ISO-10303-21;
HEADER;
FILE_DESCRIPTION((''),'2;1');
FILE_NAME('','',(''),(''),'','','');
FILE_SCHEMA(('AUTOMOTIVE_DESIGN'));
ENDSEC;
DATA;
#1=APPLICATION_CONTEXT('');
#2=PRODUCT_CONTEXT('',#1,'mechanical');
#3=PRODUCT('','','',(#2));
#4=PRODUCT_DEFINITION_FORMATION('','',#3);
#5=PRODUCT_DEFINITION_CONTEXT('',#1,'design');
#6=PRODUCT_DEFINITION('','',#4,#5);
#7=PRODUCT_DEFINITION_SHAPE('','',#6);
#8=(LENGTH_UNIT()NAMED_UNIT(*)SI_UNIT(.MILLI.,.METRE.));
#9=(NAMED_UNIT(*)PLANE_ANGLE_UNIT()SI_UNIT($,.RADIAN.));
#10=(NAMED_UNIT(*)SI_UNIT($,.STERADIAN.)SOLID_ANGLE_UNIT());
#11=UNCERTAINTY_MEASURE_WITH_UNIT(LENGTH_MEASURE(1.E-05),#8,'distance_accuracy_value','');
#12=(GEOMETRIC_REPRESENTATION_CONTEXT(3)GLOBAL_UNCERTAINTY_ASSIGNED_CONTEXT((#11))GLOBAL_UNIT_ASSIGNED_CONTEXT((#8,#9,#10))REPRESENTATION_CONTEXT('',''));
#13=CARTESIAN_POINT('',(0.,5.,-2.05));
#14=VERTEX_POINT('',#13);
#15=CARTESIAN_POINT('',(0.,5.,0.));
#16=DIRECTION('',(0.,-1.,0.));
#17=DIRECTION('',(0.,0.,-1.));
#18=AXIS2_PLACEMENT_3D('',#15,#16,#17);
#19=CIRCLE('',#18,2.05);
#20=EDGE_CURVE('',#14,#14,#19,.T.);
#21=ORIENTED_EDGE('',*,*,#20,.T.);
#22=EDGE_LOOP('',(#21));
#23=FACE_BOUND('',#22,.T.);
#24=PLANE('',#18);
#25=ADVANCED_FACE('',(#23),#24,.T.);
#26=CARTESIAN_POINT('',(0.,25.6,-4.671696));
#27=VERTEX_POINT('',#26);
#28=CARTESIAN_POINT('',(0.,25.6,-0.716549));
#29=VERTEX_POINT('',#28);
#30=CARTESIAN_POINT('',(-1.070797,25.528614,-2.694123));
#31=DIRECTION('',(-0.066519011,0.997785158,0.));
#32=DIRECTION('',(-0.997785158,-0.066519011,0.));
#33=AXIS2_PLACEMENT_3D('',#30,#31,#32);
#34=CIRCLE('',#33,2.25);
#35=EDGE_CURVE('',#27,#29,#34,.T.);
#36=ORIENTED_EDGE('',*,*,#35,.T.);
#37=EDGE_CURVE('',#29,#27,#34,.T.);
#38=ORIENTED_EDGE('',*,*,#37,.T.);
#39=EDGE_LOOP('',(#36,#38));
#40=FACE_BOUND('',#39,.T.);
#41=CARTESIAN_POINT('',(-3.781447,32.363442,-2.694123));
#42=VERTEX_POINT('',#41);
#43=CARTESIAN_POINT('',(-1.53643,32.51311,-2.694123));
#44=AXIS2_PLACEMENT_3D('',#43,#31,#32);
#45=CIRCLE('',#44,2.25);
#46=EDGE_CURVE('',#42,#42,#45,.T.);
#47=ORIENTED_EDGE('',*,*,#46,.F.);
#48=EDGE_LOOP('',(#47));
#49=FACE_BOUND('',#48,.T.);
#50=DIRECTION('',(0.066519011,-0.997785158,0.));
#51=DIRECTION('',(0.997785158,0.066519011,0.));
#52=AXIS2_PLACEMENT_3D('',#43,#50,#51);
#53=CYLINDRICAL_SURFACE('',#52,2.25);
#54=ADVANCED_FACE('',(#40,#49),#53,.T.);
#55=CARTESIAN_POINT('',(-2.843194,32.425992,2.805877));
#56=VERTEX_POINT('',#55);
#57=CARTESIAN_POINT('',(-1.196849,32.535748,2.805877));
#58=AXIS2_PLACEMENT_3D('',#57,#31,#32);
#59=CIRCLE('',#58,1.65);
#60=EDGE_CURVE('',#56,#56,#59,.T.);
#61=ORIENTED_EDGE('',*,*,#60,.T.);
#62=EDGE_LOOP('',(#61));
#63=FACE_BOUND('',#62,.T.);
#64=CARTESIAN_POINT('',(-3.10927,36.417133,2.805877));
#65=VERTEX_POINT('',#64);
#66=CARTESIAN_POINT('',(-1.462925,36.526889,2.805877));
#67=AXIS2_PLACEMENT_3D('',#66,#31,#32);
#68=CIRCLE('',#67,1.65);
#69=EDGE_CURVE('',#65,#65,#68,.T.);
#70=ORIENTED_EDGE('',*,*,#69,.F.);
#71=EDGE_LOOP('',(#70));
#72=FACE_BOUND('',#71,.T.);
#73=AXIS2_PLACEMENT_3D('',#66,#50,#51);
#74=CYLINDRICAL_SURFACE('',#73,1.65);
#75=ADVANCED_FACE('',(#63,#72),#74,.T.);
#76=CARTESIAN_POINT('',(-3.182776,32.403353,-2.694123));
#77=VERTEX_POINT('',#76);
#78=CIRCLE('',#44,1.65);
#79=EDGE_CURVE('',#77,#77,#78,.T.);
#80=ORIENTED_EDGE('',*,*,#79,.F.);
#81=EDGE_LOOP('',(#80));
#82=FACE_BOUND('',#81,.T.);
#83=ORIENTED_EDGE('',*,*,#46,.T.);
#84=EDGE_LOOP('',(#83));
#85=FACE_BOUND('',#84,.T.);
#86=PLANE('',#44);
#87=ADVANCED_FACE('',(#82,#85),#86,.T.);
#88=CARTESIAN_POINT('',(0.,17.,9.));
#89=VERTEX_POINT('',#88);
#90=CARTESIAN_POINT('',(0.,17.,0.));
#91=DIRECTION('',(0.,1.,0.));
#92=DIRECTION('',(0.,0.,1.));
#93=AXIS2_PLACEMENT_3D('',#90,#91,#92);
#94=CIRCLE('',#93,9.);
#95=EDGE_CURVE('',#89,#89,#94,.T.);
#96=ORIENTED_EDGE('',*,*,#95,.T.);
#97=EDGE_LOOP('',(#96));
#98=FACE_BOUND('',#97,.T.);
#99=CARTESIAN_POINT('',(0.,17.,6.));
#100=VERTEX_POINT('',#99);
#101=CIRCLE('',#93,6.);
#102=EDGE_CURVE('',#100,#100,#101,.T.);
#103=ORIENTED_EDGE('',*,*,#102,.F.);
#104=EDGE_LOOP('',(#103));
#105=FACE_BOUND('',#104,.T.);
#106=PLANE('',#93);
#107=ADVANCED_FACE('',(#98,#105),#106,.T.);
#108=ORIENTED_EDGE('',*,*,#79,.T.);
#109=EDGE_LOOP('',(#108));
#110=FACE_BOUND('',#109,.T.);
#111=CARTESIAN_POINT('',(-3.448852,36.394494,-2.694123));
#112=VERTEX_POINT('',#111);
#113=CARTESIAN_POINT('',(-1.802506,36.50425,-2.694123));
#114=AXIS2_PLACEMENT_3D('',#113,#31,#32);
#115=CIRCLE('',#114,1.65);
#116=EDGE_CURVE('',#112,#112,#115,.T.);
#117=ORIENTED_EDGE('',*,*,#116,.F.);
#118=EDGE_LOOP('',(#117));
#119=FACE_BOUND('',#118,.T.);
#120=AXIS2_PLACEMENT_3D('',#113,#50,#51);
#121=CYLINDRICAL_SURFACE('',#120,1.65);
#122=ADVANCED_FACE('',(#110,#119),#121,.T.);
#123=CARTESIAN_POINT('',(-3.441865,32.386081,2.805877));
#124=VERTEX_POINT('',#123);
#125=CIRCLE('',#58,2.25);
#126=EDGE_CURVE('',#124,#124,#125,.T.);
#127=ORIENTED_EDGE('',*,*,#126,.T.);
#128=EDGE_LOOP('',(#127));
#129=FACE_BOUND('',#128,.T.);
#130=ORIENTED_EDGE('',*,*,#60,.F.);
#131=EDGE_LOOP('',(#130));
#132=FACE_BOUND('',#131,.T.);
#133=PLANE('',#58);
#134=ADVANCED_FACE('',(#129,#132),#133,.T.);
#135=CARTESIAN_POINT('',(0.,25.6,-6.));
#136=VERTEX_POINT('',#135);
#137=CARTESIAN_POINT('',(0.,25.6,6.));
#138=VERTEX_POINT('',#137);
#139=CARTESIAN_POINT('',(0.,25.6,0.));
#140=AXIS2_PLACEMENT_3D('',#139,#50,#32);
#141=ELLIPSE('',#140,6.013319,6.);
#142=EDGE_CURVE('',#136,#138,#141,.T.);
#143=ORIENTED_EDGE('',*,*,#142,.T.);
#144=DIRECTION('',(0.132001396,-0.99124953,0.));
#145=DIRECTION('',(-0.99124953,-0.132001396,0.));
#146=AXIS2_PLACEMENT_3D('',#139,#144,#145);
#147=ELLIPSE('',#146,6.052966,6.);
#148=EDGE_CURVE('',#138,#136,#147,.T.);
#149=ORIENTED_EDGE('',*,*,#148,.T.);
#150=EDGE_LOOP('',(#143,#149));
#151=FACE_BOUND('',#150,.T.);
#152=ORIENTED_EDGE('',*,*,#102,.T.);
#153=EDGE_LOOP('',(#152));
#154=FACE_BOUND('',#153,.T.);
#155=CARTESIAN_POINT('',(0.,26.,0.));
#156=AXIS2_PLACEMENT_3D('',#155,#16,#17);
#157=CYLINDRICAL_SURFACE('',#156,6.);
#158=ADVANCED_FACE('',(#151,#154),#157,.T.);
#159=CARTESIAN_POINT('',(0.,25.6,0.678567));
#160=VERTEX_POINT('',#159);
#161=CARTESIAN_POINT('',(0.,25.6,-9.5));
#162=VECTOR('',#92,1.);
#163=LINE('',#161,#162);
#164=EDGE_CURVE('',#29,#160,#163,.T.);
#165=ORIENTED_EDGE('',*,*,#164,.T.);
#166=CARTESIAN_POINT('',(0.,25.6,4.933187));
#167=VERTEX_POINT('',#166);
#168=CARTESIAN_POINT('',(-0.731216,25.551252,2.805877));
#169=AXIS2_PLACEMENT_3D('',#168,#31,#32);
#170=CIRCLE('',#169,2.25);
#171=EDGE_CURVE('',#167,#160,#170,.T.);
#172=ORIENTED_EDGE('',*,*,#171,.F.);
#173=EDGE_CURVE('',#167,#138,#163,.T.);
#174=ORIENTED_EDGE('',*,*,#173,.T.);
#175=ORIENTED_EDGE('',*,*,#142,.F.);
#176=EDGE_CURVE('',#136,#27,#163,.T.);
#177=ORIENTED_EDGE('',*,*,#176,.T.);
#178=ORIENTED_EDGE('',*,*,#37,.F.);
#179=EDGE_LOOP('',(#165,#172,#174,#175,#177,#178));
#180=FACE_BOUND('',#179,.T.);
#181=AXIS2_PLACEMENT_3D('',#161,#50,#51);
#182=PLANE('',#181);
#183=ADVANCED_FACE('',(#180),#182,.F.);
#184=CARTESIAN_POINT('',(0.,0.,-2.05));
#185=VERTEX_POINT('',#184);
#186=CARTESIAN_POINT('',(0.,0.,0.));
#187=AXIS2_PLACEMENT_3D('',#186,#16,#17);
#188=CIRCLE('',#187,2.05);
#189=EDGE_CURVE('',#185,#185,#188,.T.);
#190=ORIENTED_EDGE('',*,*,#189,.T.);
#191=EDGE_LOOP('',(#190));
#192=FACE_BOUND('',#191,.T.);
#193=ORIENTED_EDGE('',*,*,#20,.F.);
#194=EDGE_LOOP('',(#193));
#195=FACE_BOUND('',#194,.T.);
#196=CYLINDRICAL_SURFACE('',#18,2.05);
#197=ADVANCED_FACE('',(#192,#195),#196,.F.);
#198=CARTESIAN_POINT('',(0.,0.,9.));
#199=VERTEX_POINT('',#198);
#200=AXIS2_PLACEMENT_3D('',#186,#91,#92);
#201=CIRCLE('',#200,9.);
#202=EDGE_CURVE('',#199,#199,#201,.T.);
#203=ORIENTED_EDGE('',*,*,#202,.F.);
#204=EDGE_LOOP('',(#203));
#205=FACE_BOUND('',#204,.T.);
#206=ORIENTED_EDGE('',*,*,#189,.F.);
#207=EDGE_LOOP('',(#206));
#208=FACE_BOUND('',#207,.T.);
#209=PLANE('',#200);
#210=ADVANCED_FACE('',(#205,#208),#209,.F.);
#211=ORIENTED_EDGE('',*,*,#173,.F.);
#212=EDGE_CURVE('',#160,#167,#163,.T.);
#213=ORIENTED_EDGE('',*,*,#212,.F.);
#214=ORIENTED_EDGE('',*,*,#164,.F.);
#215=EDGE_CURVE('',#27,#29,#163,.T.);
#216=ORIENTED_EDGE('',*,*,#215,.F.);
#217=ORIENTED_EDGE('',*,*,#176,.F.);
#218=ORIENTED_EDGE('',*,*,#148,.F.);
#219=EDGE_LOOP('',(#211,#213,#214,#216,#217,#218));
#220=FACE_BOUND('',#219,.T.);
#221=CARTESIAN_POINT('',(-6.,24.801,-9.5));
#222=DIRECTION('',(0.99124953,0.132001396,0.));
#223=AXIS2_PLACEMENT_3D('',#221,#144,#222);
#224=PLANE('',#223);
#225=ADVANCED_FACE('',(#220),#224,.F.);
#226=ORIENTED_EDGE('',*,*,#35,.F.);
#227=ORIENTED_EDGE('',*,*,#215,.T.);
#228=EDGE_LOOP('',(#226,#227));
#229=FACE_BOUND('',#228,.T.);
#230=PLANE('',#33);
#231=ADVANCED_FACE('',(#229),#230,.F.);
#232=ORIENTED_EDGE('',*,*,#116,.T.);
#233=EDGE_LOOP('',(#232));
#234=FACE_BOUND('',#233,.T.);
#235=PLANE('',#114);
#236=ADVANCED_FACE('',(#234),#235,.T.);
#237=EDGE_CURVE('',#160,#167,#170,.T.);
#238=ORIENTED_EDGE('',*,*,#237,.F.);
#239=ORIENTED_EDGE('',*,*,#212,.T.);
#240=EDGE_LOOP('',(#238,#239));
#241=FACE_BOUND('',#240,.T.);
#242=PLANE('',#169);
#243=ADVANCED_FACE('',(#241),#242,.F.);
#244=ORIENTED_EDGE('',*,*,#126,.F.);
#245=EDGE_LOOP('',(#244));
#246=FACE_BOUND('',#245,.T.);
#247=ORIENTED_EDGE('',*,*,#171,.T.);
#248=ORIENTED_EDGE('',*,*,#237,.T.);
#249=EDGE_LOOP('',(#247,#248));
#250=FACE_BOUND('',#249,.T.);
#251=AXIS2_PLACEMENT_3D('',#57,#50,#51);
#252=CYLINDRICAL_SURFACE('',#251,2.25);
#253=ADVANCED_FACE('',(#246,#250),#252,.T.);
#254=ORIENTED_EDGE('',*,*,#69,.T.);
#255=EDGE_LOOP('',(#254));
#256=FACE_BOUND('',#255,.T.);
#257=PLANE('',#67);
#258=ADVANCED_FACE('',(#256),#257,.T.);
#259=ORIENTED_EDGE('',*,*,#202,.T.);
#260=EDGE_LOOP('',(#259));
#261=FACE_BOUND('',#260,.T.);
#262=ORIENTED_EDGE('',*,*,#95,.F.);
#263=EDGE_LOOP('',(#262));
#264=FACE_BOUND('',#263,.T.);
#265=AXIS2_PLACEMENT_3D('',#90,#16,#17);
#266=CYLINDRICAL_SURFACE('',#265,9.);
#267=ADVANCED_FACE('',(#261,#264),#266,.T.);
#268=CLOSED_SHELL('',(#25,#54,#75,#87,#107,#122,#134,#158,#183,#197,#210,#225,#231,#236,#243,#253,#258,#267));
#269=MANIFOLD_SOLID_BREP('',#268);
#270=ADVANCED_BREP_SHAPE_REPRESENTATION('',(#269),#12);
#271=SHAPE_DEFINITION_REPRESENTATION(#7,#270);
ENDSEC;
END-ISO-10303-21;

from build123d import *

# Parameters (mm, degrees)
CROQUIS1_R              = 9
SALIENTE_EXTRUIR1_DEPTH = 17
CROQUIS2_R              = 6
SALIENTE_EXTRUIR2_DEPTH = 9
CORTAR_EXTRUIR1_DEPTH   = 9.5
CROQUIS4_R              = 2.25
SALIENTE_EXTRUIR3_DEPTH = 7
CROQUIS5_R              = 1.65
SALIENTE_EXTRUIR4_DEPTH = 4
CROQUIS6_R              = 2.05
CORTAR_EXTRUIR2_DEPTH   = 5


with BuildPart() as part:
    # Croquis1 → Saliente-Extruir1 (new body)
    with BuildSketch(Plane(origin=(0, 0, 0), x_dir=(1, 0, 0), z_dir=(0, 1, 0))):
        with Locations(Location((0, 0, 0), (0, 0, 270))):
            Circle(CROQUIS1_R)
    extrude(amount=SALIENTE_EXTRUIR1_DEPTH)

    # Croquis2 → Saliente-Extruir2 (add)
    with BuildSketch(Plane(origin=(0, 17, 0), x_dir=(1, 0, 0), z_dir=(0, 1, 0))):
        with Locations(Location((0, 0, 0), (0, 0, 270))):
            Circle(CROQUIS2_R)
    extrude(amount=SALIENTE_EXTRUIR2_DEPTH)

    # Croquis3 → Cortar-Extruir1 (cut, symmetric)
    with BuildSketch(Plane.XY):
        Polygon((-6, 24.801), (0, 25.6), (6, 26), (-6, 26), align=None)
    extrude(amount=CORTAR_EXTRUIR1_DEPTH, both=True, mode=Mode.SUBTRACT)

    # Croquis4 → Saliente-Extruir3 (add)
    with BuildSketch(Plane(origin=(-1.699115044, 25.486725664, 0), x_dir=(0.997785157856609, 0.06651901052377411, 0), z_dir=(-0.06651901052377411, 0.997785157856609, 0))):
        with Locations(Location((0.629712535, 2.694122729, 0), (0, 0, 298.487451849))):
            Circle(CROQUIS4_R)
        with Locations(Location((0.970047848, -2.805877271, 0), (0, 0, 70.99163809))):
            Circle(CROQUIS4_R)
    extrude(amount=SALIENTE_EXTRUIR3_DEPTH)

    # Croquis5 → Saliente-Extruir4 (add)
    with BuildSketch(Plane(origin=(-2.164748118, 32.471221769, 0), x_dir=(0.997785157856609, 0.06651901052377412, 0), z_dir=(-0.06651901052377412, 0.997785157856609, 0))):
        with Locations(Location((0.629712535, 2.694122729, 0), (0, 0, 180))):
            Circle(CROQUIS5_R)
        with Locations(Location((0.970047848, -2.805877271, 0), (0, 0, 180))):
            Circle(CROQUIS5_R)
    extrude(amount=SALIENTE_EXTRUIR4_DEPTH)

    # Croquis6 → Cortar-Extruir2 (cut)
    with BuildSketch(Plane.XZ):
        with Locations(Location((0, 0, 0), (0, 0, 270))):
            Circle(CROQUIS6_R)
    extrude(amount=-CORTAR_EXTRUIR2_DEPTH, mode=Mode.SUBTRACT)


solid = part.part
